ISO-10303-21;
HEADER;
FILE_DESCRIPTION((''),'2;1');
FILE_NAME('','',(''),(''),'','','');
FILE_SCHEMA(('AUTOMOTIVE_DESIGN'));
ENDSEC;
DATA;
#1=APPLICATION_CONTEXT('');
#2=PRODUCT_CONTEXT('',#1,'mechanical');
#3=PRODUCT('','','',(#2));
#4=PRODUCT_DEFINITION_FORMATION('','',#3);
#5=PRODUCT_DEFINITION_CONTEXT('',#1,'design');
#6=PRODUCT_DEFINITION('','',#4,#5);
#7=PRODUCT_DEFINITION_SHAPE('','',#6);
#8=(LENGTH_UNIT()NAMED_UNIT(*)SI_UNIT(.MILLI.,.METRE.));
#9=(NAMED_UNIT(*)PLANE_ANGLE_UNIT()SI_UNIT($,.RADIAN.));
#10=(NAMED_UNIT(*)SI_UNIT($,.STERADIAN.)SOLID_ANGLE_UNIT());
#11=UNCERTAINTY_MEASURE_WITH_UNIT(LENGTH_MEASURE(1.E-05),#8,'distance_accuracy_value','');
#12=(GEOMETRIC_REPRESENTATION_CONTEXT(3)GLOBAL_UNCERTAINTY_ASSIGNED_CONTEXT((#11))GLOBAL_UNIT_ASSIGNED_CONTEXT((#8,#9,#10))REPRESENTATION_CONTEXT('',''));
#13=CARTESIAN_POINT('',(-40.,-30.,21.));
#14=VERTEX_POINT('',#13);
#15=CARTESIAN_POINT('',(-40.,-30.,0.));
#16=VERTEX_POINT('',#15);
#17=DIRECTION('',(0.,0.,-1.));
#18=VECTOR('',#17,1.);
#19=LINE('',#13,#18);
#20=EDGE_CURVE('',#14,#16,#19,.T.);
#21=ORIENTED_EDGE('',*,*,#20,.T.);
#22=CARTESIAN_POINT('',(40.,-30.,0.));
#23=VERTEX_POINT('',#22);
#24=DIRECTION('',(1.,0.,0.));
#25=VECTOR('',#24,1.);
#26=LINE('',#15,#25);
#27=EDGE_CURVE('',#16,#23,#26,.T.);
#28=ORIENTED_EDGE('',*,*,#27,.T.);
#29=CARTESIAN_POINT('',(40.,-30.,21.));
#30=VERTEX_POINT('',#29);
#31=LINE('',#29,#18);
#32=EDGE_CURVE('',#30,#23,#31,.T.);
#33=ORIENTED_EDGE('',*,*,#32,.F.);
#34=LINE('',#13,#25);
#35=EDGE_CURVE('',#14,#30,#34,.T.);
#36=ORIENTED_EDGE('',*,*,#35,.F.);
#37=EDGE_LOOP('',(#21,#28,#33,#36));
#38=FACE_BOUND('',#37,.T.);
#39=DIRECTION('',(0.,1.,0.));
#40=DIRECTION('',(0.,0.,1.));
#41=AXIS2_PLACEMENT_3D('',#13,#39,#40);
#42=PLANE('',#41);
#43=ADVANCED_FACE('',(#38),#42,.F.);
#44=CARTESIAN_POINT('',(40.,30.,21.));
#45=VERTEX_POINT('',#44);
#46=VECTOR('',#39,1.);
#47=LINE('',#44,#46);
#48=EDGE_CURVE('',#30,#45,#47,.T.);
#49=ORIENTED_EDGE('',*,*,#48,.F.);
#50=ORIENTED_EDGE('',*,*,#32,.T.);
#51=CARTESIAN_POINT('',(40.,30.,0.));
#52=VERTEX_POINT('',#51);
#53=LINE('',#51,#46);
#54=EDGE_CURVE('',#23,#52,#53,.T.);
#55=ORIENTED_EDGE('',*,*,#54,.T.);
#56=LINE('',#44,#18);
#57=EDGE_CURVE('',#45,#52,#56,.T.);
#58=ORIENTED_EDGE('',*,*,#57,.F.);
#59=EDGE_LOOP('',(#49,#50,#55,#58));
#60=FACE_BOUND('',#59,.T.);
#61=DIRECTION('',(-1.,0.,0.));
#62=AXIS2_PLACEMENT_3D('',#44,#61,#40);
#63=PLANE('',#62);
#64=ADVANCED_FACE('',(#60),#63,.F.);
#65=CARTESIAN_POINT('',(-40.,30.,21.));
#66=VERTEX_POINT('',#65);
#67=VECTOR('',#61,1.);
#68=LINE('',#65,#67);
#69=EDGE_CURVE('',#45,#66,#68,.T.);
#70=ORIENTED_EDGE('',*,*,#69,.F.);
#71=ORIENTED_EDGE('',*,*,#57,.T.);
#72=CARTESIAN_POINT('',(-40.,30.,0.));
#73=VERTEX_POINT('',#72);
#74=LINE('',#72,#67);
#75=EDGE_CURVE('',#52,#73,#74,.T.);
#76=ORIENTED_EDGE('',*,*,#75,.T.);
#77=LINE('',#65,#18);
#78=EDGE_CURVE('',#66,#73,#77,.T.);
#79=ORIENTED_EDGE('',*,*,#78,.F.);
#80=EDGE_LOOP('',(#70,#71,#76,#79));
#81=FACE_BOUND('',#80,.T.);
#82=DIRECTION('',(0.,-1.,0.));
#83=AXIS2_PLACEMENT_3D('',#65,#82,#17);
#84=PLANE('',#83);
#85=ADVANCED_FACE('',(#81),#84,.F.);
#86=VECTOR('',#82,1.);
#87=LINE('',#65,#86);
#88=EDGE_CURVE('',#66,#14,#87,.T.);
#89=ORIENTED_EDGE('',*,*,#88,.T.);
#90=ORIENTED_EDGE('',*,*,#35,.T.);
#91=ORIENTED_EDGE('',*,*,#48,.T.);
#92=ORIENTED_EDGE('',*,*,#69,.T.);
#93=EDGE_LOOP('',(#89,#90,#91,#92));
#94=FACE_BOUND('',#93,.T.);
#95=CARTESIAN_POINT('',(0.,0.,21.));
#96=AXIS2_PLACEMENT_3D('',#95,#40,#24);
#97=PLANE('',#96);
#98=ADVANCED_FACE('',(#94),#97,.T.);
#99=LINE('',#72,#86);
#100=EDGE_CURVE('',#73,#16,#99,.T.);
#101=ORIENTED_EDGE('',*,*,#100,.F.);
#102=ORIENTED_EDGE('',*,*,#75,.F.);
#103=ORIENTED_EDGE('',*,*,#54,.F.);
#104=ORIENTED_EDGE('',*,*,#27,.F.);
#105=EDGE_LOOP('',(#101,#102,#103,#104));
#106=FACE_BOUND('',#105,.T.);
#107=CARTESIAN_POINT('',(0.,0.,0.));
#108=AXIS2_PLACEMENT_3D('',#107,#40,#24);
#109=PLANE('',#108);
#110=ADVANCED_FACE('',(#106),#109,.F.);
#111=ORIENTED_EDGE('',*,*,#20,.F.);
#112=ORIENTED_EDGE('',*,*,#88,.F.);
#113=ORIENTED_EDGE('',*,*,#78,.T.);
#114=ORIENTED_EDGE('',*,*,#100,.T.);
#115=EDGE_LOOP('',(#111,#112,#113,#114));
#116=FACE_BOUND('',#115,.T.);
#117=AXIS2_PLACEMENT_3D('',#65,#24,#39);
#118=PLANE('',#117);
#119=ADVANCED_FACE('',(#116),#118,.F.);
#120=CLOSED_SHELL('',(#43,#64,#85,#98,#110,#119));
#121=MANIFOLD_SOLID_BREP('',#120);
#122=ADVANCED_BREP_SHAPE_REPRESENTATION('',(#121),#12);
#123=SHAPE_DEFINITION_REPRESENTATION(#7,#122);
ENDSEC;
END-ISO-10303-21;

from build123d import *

# Parameters (mm, degrees)
SKETCH_1_W      = 80
SKETCH_1_H      = 60
EXTRUDE_1_DEPTH = 21


with BuildPart() as part:
    # 스케치1 → 보스-돌출1 (new body)
    with BuildSketch(Plane.XY):
        Rectangle(SKETCH_1_W, SKETCH_1_H)
    extrude(amount=EXTRUDE_1_DEPTH)


solid = part.part
